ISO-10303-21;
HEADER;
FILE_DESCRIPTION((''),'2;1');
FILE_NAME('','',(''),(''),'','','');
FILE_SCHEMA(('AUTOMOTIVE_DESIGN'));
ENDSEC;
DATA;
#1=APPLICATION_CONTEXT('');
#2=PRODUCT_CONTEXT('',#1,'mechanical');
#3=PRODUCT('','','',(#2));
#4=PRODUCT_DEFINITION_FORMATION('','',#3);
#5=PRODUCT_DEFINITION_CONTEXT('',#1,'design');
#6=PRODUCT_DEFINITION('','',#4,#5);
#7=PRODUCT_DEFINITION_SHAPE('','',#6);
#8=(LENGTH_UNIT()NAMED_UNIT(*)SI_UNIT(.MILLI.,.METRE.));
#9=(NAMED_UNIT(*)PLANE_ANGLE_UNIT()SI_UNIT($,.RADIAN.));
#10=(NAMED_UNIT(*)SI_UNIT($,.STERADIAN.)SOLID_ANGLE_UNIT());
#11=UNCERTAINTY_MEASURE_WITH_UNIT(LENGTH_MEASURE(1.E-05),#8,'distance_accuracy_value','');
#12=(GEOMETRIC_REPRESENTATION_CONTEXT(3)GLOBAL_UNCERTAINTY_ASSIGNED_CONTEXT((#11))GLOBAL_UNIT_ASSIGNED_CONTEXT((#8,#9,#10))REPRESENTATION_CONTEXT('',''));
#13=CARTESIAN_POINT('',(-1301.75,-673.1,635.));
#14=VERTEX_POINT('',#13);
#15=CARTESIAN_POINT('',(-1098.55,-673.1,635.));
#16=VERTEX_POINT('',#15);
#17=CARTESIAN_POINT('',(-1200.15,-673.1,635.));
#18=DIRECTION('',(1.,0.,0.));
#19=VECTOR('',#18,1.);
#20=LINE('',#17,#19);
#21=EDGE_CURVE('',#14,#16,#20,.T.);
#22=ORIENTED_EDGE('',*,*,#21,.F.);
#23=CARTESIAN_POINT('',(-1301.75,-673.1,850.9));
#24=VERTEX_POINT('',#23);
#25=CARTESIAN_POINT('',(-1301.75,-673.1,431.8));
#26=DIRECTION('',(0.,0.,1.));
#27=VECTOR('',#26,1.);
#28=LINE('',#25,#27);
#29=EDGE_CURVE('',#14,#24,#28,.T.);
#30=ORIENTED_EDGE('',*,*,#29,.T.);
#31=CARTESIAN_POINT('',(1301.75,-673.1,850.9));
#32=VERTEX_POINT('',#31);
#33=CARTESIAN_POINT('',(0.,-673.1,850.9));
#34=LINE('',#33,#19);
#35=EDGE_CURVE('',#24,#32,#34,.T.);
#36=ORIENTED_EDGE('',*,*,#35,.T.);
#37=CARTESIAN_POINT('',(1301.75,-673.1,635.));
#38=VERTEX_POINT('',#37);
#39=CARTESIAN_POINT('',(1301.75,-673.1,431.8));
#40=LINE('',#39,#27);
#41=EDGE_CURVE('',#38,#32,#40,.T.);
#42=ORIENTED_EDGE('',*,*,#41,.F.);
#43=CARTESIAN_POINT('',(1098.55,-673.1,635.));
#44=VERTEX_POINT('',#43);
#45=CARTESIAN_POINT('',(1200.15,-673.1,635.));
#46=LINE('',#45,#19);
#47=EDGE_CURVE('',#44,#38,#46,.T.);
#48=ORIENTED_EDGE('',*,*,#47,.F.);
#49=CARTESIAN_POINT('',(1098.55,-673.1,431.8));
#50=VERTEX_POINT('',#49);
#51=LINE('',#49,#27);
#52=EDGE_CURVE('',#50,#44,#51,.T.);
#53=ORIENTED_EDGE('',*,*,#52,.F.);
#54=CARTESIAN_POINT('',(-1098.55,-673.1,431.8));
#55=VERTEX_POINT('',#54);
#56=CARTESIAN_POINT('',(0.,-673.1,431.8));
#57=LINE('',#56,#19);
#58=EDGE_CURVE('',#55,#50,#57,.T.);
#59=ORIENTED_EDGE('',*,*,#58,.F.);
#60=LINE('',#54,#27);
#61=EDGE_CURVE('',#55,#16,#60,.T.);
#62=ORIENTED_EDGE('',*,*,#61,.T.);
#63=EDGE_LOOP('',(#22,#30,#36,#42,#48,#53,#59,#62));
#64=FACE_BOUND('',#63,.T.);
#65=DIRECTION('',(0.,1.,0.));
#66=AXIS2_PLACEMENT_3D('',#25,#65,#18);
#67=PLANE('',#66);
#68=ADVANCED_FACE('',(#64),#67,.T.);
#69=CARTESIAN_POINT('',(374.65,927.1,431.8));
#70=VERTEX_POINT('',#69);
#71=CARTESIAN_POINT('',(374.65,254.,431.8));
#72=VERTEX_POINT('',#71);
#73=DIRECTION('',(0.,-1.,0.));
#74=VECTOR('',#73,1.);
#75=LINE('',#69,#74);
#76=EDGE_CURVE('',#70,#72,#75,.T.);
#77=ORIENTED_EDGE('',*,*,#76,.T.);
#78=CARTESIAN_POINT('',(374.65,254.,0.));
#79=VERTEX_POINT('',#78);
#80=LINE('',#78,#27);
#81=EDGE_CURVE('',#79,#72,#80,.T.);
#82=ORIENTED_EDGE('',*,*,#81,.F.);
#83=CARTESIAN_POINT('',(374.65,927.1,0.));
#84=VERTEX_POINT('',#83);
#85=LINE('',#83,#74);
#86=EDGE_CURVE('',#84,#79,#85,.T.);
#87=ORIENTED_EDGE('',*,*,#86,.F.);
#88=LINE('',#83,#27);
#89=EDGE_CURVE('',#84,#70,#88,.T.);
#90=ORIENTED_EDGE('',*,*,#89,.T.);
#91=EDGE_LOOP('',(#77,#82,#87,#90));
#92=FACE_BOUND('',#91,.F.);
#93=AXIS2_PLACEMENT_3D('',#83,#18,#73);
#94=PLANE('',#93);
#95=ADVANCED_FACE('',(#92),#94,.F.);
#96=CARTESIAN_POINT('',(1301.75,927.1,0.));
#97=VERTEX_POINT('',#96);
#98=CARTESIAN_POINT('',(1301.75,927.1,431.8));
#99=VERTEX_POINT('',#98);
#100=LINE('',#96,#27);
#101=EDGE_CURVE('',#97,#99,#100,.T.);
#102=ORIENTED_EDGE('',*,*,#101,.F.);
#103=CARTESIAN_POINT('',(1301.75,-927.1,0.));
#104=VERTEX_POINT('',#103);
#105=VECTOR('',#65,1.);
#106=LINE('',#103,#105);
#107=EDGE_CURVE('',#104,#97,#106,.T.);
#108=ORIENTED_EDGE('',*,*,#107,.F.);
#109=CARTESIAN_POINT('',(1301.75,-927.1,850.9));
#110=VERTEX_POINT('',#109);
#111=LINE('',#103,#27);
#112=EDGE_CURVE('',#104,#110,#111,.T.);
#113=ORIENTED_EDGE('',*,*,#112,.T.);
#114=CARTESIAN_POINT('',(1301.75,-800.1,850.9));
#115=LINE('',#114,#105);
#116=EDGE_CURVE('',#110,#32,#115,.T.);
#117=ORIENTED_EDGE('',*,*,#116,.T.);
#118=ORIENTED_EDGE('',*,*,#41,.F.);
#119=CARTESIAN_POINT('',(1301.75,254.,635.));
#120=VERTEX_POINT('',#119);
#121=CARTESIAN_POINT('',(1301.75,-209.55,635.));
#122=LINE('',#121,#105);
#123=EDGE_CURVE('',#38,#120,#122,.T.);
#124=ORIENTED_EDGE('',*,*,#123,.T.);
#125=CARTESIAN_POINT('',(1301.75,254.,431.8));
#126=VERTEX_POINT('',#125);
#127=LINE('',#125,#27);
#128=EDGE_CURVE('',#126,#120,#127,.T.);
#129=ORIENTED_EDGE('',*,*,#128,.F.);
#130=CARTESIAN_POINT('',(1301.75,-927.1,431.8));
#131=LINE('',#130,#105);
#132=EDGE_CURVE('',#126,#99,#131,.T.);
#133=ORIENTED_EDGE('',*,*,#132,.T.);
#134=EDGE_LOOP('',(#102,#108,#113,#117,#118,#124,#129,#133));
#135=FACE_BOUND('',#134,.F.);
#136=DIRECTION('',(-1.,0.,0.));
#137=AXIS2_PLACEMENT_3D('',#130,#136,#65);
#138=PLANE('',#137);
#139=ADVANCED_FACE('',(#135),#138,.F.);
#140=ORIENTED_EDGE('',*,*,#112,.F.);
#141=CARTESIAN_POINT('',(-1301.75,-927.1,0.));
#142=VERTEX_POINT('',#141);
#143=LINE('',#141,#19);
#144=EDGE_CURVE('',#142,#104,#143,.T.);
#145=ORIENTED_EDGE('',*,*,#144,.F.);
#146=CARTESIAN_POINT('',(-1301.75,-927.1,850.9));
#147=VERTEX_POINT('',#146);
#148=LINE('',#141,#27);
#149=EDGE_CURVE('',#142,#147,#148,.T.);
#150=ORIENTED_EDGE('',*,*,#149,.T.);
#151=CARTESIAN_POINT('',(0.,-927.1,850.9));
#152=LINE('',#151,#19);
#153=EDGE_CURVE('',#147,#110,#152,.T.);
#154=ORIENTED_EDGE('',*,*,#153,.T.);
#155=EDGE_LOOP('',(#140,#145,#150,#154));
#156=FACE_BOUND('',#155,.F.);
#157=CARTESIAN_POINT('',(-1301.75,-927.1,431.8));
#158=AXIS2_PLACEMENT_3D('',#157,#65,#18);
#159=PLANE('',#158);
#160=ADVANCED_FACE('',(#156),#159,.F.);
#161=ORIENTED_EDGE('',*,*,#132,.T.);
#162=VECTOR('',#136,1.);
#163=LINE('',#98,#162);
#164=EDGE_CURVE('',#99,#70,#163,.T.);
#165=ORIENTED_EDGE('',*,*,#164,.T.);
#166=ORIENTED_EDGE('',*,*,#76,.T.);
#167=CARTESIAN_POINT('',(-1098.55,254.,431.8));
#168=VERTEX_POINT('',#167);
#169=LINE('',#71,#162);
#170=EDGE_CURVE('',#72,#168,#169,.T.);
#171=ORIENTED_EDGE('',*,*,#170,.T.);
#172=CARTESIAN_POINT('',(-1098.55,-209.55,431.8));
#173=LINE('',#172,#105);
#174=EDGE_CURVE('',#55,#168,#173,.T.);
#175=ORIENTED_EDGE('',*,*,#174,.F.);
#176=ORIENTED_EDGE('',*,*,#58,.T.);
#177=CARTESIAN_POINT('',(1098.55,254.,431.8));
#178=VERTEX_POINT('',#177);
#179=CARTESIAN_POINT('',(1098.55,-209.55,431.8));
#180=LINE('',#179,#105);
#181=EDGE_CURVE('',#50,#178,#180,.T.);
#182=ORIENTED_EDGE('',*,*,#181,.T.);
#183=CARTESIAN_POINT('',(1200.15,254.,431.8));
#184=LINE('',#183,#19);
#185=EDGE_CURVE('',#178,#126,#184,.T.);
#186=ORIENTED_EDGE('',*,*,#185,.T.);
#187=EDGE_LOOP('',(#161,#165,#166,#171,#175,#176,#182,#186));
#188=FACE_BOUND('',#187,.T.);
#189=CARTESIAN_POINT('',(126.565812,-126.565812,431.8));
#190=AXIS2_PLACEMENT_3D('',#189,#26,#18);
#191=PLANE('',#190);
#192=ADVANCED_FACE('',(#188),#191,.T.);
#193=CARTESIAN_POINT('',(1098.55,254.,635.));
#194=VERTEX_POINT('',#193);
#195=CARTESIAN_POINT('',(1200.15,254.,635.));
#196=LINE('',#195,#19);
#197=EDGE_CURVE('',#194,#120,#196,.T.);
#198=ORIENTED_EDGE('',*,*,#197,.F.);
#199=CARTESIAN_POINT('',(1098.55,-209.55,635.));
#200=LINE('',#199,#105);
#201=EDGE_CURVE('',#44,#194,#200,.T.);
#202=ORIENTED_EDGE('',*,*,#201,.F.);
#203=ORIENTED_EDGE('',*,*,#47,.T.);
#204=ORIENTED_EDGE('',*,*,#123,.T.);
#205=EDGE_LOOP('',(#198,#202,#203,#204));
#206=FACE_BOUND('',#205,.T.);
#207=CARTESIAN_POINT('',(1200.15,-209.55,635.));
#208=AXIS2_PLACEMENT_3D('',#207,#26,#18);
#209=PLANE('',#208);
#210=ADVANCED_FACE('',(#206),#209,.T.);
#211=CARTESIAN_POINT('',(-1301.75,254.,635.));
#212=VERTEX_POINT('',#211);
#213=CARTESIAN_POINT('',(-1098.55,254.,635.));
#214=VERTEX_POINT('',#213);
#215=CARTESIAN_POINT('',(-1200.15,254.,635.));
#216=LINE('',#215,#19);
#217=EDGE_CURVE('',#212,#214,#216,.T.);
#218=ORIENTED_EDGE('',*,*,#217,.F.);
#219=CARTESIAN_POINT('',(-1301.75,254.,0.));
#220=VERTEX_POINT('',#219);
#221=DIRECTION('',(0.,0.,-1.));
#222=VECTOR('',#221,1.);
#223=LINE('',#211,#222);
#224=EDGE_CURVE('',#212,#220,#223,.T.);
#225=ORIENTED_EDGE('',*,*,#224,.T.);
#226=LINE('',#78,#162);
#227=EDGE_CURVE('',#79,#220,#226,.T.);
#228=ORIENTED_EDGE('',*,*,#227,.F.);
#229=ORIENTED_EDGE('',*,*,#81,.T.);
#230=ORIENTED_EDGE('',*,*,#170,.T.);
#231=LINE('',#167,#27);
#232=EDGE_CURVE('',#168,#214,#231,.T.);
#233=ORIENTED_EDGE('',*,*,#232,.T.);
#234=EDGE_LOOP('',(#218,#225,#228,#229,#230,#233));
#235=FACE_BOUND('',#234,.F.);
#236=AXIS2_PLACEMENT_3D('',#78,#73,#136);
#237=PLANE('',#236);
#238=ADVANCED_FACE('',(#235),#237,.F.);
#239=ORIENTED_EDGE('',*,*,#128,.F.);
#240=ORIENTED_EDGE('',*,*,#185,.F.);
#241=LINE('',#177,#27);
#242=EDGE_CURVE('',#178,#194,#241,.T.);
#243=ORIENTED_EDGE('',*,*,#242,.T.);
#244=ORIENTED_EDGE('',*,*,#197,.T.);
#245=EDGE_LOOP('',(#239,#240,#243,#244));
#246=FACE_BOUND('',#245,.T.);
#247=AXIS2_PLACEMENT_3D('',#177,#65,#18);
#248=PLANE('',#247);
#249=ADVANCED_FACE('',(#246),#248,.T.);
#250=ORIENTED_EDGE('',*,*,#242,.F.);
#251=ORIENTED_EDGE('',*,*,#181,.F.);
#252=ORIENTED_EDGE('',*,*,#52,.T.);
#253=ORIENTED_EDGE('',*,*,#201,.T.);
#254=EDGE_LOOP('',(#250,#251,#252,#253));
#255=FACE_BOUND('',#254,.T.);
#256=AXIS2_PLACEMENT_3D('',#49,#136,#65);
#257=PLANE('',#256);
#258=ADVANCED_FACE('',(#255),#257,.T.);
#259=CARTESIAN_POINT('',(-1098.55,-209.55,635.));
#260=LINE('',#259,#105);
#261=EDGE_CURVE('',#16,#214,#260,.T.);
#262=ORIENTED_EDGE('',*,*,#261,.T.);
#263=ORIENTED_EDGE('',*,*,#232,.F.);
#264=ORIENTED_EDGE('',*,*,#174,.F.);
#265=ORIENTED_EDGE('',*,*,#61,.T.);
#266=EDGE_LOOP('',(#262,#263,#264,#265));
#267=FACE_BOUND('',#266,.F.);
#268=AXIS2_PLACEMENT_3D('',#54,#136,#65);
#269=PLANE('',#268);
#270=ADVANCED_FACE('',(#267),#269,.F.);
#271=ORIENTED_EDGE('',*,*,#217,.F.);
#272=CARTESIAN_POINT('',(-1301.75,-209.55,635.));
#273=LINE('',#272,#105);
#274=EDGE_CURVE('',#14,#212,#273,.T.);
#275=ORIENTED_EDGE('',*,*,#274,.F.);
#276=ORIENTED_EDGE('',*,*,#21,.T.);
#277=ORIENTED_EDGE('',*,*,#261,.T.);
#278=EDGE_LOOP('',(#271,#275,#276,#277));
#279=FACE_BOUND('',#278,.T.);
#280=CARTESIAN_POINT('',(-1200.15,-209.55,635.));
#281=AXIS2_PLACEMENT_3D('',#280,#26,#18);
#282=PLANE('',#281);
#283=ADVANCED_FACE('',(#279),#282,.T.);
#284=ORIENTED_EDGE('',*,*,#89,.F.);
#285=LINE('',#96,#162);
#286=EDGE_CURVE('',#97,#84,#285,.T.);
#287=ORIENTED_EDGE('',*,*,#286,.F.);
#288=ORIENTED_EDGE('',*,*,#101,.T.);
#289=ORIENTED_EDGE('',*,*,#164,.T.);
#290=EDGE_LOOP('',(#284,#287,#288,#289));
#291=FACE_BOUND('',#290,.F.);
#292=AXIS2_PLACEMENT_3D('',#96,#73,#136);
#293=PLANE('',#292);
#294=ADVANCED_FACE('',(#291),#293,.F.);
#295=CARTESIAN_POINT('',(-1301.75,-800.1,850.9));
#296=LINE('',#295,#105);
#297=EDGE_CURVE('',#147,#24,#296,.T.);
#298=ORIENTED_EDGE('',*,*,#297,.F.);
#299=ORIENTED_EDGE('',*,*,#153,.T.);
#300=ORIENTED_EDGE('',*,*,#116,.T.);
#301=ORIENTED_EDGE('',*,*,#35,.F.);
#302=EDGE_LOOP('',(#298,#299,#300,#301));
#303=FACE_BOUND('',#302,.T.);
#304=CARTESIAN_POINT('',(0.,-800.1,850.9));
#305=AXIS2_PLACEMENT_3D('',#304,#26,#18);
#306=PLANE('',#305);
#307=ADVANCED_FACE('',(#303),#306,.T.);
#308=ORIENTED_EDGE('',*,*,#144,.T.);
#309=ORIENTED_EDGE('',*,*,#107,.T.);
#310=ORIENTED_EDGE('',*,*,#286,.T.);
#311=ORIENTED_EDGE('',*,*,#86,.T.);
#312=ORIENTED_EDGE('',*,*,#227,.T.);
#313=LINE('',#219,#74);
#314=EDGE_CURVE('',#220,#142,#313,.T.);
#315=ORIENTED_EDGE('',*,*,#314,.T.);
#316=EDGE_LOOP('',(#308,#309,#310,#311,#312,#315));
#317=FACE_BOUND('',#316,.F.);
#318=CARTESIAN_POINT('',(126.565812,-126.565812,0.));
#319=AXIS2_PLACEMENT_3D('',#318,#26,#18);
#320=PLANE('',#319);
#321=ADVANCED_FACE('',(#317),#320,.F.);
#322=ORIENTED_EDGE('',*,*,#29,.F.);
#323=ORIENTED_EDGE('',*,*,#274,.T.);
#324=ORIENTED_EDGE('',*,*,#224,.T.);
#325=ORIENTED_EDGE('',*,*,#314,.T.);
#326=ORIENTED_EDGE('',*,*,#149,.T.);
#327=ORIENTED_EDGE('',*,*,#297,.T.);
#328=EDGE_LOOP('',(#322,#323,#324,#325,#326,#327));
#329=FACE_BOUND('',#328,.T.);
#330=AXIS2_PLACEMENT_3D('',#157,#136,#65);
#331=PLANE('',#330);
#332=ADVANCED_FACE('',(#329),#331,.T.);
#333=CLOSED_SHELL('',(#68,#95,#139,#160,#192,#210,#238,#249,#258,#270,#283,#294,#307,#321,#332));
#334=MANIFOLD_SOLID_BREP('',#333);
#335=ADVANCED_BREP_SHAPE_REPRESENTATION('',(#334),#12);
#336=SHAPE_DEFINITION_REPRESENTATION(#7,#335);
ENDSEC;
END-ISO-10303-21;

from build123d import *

# Parameters (mm, degrees)
F1_DEPTH = 431.8
F2_W     = 2603.5
F2_H     = 254
F3_DEPTH = 419.1
F4_W     = 203.2
F4_H     = 927.1
F5_DEPTH = 203.2


with BuildPart() as f1:
    # F0 (on Top) → F1 (new body)
    with BuildSketch(Plane.XY):
        Polygon((374.65, 254), (-1301.75, 254), (-1301.75, -927.1), (1301.75, -927.1), (1301.75, 927.1), (374.65, 927.1), align=None)
    extrude(amount=F1_DEPTH)

    # F2 (on face) → F3 (join)
    with BuildSketch(Plane.XY.offset(431.8)):
        with Locations((0, -800.1)):
            Rectangle(F2_W, F2_H)
    extrude(amount=F3_DEPTH)

    # F4 (on face) → F5 (join)
    with BuildSketch(Plane.XY.offset(431.8)):
        with Locations((1200.15, -209.55)):
            Rectangle(F4_W, F4_H)
        with Locations((-1200.15, -209.55)):
            Rectangle(F4_W, F4_H)
    extrude(amount=F5_DEPTH)


solid = f1.part
